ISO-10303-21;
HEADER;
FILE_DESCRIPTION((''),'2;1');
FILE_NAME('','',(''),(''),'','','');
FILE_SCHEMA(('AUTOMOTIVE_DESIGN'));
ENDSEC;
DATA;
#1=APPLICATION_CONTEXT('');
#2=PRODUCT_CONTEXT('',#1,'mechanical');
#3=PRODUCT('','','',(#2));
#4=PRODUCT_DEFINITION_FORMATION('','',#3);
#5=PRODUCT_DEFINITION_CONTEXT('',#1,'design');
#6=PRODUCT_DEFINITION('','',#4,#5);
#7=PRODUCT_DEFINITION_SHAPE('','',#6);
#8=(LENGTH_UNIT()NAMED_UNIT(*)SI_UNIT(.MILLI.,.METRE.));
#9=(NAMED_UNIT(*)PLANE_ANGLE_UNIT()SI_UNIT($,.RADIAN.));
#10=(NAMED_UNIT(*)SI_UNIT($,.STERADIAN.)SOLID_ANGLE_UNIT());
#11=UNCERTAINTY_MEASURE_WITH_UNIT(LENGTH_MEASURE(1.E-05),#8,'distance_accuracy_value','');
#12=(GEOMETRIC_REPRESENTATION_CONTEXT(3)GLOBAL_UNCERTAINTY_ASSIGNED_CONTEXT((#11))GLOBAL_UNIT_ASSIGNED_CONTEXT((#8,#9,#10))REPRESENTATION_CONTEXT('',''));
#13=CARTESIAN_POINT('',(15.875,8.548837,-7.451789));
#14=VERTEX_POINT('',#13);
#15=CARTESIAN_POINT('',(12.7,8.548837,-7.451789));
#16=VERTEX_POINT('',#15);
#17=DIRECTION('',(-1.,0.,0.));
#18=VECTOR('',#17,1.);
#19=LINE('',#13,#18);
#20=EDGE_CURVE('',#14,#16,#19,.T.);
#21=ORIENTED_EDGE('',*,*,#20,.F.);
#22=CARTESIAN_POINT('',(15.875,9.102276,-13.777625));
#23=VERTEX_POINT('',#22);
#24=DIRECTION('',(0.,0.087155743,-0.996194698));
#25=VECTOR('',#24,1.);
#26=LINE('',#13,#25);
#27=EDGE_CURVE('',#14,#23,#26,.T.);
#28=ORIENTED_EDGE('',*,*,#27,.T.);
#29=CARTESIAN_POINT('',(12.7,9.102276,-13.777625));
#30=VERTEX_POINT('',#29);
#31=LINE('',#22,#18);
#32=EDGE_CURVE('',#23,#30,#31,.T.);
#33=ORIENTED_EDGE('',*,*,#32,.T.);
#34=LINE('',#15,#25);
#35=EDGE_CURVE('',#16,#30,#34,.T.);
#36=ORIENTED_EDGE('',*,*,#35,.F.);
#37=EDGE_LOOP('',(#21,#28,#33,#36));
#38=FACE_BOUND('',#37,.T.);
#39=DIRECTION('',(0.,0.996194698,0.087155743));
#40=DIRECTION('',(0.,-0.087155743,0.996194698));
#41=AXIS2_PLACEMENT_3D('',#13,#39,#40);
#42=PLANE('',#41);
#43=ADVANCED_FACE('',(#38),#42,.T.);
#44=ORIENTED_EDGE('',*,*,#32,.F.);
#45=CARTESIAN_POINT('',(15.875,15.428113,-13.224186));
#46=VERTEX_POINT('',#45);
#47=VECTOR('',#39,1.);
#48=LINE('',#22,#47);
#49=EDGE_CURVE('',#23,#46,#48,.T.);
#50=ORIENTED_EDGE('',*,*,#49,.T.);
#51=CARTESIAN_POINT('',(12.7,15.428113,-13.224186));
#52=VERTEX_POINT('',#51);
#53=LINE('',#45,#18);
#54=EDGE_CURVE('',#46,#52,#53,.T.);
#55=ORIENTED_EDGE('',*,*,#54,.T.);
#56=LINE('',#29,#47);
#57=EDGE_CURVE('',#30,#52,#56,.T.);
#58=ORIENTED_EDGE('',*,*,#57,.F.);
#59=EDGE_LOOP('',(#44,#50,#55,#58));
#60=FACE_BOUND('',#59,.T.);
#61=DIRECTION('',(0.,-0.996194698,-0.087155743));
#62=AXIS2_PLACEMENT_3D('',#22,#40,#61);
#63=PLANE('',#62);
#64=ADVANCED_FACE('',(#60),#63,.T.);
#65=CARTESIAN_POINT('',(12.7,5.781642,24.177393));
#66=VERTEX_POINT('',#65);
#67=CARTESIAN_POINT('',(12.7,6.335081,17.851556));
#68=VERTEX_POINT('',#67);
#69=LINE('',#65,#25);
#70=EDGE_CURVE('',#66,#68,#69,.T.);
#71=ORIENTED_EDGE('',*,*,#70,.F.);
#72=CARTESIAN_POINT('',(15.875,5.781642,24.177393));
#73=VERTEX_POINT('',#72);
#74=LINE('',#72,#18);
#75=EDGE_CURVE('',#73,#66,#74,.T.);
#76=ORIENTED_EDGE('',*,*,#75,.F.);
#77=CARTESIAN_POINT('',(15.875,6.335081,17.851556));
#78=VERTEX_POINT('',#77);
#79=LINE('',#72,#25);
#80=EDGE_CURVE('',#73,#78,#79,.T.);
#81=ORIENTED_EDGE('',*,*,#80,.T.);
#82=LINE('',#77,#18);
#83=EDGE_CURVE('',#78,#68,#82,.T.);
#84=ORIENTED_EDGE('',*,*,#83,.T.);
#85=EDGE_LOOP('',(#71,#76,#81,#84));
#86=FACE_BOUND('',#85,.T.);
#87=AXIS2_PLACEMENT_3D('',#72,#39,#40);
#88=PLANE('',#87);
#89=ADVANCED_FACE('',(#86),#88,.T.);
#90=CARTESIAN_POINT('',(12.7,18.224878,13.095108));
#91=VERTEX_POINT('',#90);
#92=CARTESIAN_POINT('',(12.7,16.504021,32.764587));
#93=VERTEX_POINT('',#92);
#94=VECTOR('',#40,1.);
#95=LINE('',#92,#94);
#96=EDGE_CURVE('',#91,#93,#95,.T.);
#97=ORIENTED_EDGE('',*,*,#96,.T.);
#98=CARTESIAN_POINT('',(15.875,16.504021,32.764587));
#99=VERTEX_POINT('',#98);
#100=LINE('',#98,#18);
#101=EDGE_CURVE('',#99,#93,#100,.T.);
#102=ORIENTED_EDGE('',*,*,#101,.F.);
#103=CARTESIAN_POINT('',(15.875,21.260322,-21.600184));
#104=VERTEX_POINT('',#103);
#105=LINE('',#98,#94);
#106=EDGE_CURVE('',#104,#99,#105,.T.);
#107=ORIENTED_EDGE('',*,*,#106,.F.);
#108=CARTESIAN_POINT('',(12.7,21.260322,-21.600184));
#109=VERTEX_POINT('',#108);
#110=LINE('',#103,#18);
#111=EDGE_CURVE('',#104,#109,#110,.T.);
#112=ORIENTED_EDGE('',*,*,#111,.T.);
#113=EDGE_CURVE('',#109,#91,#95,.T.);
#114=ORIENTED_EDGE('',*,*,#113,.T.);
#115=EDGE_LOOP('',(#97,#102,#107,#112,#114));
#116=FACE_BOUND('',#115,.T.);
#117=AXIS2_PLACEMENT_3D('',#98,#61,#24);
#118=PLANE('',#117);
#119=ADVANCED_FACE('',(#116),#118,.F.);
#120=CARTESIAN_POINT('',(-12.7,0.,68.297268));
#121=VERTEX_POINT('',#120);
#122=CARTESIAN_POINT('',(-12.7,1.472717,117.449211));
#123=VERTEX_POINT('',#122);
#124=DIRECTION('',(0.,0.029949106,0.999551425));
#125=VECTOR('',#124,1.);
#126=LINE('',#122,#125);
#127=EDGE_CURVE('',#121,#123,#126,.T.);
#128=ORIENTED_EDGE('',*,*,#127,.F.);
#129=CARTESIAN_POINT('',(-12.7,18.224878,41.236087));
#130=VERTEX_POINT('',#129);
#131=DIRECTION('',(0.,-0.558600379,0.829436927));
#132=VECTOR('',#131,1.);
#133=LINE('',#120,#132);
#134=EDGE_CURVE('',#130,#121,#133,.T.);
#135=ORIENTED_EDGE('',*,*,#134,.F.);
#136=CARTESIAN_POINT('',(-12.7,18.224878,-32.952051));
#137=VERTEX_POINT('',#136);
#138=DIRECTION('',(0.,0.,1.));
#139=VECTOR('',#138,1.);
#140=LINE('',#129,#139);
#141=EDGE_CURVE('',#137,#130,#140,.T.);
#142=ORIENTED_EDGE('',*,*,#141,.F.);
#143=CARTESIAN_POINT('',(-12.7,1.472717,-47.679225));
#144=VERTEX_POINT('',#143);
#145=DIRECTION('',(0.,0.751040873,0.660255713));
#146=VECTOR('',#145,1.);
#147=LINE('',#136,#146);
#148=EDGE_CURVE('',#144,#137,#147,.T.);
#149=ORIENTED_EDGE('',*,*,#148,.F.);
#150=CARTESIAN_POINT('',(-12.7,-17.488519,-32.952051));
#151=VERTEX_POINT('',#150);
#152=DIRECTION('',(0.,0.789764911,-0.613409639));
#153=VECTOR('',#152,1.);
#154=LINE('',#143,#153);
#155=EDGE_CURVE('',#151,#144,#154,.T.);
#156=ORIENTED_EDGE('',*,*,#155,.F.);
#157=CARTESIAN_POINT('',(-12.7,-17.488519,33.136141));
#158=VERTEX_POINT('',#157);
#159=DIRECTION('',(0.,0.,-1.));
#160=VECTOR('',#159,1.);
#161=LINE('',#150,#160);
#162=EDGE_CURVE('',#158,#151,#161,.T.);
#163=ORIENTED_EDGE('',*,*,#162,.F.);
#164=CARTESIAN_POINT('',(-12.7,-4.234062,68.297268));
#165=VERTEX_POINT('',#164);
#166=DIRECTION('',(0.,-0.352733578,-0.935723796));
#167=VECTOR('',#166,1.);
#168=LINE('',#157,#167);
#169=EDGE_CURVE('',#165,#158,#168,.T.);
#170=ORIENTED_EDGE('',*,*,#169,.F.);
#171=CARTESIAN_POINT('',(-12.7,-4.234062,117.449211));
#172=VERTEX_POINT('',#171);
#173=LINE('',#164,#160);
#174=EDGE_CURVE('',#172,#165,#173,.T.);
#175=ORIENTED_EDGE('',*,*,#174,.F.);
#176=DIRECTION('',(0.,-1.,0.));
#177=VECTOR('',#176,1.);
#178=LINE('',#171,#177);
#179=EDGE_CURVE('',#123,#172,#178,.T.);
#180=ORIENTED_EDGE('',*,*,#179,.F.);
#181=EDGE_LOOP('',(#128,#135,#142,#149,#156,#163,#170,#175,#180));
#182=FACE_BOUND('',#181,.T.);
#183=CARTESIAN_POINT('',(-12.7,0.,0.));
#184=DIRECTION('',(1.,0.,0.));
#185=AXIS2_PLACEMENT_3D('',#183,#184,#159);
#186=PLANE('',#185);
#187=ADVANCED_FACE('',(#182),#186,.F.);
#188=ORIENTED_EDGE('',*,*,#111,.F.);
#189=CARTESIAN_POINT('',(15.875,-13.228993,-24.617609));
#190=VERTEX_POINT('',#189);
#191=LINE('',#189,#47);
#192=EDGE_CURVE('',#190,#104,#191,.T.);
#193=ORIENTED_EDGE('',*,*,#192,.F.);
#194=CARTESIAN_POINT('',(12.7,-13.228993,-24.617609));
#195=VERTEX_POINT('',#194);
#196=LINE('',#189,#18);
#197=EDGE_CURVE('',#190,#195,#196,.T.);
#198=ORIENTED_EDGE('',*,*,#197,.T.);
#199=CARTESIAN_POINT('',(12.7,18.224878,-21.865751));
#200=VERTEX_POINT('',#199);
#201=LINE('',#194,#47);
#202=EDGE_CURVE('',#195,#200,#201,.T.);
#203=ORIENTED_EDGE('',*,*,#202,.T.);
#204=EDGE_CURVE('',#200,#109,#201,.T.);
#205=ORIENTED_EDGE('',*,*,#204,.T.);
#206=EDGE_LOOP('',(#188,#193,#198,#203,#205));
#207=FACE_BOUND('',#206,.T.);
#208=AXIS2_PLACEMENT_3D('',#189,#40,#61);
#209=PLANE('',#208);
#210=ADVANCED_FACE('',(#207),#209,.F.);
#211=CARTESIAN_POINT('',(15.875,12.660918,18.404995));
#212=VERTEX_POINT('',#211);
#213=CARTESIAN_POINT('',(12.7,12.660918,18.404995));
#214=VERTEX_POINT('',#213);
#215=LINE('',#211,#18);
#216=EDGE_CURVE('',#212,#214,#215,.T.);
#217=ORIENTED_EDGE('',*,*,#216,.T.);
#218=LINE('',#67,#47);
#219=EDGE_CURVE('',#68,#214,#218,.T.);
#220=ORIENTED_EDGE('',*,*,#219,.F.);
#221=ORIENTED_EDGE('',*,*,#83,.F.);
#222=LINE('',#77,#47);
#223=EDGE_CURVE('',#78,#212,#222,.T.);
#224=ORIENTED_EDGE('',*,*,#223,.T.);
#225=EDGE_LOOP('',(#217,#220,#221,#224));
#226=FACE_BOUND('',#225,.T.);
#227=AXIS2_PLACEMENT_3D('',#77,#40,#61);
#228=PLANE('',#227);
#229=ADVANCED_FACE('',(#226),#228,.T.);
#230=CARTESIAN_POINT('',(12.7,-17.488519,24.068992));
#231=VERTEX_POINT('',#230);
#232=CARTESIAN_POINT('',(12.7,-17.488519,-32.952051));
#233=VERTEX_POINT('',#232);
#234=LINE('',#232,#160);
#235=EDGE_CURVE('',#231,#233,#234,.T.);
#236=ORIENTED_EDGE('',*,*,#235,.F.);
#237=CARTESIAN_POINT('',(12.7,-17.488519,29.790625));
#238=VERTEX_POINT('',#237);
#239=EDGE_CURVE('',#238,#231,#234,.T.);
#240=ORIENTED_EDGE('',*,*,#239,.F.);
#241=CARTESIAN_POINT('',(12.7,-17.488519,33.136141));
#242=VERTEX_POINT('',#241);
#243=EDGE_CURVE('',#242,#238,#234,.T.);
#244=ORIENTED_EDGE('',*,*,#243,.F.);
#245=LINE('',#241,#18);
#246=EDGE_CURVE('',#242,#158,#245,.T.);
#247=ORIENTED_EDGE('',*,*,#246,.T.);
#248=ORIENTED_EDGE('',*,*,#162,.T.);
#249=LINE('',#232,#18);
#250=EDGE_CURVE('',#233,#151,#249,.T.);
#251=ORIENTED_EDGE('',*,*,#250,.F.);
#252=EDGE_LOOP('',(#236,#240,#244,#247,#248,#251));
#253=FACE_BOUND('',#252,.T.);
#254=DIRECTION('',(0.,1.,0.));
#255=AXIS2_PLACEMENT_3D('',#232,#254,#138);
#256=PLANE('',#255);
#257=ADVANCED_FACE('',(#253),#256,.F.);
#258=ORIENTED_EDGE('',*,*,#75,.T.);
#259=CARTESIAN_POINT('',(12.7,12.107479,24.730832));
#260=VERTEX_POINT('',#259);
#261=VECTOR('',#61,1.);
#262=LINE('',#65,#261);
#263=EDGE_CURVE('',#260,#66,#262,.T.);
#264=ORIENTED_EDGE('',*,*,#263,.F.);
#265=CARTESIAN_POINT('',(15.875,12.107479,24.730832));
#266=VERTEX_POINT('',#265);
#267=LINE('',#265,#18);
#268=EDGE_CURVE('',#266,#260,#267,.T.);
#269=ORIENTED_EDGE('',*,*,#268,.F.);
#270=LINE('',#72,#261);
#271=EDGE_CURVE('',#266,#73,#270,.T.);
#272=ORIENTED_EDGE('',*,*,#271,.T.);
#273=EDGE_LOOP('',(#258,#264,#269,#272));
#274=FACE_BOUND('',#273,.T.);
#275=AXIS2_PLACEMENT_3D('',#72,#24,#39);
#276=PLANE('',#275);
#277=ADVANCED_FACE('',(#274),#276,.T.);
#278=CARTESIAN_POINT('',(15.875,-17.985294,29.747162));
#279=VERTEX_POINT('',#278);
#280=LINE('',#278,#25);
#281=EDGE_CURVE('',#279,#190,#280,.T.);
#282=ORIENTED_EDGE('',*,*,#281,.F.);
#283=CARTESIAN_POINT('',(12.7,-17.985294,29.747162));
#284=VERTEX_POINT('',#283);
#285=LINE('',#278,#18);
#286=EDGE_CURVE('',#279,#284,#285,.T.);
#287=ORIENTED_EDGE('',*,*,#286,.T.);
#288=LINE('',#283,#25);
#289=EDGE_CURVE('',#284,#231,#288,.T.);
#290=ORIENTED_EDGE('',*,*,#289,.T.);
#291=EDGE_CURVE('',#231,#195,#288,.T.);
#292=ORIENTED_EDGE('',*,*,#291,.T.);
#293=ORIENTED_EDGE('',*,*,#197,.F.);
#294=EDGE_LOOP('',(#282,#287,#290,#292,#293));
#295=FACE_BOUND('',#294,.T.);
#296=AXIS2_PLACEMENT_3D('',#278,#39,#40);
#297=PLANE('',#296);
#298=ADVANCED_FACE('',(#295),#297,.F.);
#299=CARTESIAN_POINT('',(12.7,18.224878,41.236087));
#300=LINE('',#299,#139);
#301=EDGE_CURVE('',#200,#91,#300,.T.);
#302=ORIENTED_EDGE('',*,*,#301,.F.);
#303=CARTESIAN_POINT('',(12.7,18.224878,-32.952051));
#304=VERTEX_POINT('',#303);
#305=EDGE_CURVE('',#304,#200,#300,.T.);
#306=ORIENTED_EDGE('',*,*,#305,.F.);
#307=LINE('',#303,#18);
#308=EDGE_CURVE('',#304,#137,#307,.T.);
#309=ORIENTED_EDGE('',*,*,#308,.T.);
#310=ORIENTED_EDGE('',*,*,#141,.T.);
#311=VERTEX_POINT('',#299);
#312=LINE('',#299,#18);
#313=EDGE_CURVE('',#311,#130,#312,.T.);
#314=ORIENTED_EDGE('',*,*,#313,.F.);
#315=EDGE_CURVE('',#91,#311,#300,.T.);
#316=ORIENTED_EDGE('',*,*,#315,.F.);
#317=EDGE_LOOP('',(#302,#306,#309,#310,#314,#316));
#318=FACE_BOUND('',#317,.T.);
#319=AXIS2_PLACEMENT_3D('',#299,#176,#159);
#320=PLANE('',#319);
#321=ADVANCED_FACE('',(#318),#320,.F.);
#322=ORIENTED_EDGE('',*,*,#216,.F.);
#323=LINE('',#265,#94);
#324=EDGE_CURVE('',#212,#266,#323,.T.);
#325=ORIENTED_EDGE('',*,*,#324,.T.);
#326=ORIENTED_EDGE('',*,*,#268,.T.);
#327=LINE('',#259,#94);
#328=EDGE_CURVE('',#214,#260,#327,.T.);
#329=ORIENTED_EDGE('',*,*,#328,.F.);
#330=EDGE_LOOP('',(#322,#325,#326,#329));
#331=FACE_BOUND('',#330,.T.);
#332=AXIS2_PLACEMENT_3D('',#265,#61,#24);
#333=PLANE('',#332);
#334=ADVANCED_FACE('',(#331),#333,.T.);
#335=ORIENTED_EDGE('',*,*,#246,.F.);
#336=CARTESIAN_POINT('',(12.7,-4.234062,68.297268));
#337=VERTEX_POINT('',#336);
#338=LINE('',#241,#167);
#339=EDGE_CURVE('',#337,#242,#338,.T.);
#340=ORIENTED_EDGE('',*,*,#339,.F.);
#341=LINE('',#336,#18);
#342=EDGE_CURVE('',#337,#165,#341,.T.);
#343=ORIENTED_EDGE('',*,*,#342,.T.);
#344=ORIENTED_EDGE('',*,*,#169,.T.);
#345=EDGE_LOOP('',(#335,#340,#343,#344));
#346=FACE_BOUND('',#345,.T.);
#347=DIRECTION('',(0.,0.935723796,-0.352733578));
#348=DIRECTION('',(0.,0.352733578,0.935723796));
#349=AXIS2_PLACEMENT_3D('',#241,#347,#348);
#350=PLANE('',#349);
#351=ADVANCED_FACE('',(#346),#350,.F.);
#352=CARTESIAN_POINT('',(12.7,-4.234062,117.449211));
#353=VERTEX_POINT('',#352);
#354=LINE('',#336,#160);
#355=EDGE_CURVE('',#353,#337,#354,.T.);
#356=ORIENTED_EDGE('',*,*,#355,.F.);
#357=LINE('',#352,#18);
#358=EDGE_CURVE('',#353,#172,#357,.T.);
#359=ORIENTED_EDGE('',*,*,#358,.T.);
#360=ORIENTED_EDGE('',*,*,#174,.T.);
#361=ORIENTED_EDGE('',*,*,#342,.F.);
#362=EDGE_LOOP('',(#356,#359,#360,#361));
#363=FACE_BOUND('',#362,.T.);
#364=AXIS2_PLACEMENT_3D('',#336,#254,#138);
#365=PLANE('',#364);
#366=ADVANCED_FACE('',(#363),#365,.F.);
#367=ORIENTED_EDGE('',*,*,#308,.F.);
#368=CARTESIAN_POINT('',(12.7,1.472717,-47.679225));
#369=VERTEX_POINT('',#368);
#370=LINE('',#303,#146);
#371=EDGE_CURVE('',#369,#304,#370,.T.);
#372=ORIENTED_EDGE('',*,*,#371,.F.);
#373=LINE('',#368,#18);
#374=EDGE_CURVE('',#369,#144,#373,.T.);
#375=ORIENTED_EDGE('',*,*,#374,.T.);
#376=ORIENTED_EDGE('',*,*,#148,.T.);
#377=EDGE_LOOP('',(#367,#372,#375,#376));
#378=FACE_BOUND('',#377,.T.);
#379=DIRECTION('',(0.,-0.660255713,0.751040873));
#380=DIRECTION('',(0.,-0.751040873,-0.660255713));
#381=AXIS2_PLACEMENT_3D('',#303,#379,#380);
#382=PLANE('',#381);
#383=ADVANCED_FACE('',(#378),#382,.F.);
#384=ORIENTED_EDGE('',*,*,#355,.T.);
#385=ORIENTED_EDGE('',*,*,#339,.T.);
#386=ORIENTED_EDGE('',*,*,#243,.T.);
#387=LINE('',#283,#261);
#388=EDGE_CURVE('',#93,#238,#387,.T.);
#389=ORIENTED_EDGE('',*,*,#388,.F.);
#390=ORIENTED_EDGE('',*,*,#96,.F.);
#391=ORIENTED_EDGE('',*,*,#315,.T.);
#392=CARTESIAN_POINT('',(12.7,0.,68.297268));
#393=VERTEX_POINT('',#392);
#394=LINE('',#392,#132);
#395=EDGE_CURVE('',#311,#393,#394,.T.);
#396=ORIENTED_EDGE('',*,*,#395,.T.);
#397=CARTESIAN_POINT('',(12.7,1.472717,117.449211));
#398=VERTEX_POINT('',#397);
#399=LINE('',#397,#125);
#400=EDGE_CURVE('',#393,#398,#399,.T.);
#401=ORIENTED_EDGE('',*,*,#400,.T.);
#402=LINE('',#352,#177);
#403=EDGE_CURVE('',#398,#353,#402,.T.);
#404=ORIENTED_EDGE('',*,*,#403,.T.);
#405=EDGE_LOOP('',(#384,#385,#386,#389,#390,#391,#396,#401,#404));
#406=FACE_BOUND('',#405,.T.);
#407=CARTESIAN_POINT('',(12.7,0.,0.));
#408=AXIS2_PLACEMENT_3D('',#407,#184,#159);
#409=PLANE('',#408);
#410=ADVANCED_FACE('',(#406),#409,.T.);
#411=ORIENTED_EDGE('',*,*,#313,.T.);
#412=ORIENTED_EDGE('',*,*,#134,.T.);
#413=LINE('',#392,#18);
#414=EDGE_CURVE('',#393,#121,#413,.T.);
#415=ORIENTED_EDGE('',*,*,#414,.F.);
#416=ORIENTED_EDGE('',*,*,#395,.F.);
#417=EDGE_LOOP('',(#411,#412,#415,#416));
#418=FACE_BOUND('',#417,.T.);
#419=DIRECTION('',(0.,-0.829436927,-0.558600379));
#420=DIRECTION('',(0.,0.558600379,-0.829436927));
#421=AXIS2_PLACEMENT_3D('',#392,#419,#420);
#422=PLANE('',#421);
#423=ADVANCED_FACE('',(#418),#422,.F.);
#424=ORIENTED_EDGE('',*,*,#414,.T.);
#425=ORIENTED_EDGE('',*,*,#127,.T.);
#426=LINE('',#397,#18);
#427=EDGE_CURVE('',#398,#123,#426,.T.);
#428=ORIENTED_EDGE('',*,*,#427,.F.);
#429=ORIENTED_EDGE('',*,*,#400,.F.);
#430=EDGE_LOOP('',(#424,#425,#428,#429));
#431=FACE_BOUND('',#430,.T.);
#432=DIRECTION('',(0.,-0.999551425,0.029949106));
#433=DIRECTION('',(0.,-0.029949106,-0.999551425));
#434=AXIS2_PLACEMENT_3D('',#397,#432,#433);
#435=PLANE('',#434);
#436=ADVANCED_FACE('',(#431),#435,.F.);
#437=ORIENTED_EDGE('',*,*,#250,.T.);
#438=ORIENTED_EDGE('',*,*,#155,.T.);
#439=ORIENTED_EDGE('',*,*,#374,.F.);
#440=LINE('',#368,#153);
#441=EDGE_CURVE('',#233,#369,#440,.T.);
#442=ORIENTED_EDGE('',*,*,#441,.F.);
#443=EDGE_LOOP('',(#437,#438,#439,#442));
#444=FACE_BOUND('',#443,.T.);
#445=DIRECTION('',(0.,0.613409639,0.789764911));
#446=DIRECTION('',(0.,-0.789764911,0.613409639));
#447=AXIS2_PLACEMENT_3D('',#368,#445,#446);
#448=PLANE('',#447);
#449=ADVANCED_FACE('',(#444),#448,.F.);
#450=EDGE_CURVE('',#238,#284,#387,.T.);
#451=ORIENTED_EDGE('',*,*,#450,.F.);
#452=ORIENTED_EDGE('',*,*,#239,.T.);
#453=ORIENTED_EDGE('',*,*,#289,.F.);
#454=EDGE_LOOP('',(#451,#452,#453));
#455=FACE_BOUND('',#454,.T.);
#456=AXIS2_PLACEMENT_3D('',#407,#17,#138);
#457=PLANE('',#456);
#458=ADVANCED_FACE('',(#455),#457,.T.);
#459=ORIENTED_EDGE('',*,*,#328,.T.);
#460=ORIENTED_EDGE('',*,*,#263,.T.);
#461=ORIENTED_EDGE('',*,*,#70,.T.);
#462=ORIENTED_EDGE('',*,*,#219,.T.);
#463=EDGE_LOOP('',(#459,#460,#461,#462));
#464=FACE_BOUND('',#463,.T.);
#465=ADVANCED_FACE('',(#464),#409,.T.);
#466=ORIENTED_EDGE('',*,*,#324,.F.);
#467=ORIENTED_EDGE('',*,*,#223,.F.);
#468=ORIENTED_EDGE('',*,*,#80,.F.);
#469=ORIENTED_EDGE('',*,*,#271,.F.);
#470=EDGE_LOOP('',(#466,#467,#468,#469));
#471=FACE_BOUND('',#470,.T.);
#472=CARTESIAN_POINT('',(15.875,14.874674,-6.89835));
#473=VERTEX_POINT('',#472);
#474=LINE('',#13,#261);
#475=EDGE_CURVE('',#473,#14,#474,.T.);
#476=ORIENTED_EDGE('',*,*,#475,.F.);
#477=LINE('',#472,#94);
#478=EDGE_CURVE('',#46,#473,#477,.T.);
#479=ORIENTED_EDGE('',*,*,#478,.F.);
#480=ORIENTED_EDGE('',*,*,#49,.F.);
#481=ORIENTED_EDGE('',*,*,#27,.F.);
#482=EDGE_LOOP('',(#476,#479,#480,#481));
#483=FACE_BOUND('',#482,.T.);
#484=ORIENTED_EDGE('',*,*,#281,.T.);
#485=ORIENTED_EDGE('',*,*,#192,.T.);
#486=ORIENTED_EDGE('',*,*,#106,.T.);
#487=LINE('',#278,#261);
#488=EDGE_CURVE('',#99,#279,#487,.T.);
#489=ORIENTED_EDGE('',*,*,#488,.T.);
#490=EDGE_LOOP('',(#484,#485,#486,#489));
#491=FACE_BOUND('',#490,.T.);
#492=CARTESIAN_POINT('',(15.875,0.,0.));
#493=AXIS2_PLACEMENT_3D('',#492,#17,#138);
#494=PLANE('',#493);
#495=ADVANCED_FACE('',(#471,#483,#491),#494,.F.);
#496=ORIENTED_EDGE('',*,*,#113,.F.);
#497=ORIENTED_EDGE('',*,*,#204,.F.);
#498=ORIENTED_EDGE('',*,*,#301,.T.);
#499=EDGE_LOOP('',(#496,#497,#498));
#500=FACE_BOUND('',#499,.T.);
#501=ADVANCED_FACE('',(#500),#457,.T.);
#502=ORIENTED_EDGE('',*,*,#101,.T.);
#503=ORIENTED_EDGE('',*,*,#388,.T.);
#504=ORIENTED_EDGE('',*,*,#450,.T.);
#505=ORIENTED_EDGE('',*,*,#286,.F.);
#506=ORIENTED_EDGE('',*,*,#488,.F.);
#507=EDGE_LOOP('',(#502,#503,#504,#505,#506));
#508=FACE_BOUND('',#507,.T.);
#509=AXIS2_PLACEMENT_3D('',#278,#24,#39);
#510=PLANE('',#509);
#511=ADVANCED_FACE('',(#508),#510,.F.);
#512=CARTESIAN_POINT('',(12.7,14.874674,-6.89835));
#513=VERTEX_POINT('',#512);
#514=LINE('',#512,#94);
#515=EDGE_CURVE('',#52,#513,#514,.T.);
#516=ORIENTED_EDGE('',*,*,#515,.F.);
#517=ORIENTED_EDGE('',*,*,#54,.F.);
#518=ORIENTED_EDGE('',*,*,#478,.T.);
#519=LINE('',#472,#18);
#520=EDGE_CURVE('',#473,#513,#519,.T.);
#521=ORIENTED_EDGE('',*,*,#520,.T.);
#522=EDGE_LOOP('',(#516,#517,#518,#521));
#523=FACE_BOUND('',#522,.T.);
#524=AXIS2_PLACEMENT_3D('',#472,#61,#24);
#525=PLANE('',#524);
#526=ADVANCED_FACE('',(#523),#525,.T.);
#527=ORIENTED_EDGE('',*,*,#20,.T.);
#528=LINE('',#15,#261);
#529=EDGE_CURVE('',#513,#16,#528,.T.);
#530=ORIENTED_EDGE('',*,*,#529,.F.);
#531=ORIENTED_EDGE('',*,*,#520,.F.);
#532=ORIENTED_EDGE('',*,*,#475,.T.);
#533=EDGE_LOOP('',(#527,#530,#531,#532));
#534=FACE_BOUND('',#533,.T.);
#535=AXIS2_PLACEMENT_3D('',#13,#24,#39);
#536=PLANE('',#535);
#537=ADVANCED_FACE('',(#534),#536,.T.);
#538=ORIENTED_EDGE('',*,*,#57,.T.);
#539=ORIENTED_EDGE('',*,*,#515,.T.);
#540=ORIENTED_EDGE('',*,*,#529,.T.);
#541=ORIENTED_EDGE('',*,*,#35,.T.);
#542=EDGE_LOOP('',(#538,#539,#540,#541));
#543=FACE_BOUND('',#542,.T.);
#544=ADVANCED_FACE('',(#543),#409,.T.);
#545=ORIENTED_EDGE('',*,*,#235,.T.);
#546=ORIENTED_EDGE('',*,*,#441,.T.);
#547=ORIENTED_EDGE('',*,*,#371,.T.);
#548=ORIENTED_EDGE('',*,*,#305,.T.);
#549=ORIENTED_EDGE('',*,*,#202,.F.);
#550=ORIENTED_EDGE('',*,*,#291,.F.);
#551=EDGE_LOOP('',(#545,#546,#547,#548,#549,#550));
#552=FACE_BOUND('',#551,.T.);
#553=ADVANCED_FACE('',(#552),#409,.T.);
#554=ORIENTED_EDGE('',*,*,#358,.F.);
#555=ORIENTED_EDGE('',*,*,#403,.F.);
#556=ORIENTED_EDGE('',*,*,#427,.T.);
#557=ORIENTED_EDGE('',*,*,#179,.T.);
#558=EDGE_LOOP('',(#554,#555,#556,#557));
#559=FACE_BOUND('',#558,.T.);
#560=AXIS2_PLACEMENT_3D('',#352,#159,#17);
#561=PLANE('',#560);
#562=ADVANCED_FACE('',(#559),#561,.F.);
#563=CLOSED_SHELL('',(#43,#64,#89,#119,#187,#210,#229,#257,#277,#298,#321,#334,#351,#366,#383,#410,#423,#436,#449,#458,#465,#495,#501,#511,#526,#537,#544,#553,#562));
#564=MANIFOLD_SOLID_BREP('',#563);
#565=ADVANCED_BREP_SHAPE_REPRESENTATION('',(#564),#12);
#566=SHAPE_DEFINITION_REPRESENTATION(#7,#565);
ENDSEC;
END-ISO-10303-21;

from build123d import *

# Parameters (mm, degrees)
BOSS_EXTRUDE1_DEPTH = 12.7
BOSS_EXTRUDE2_DEPTH = 3.175


with BuildPart() as part:
    # Sketch1 → Boss-Extrude1 (new, symmetric)
    with BuildSketch(Plane(origin=(0, 0, 0), x_dir=(0, 0, -1), z_dir=(1, 0, 0))):
        Polygon((-68.297268412, 0), (-41.236086589, 18.224877555), (32.952051336, 18.224877555), (47.679225118, 1.472717378), (32.952051336, -17.488518866), (-33.136141009, -17.488518866), (-68.297268412, -4.234062462), (-117.449210909, -4.234062462), (-117.449210909, 1.472717378), align=None)
    extrude(amount=BOSS_EXTRUDE1_DEPTH, both=True)

    # Sketch2 → Boss-Extrude2 (add)
    with BuildSketch(Plane(origin=(12.7, 0, 0), x_dir=(0, 0, -1), z_dir=(1, 0, 0))):
        Polygon((-29.747162431, -17.985294415), (24.617608562, -13.228993258), (21.600184439, 21.260322286), (-32.764586554, 16.504021128), align=None)
        Polygon((-24.177392815, 5.781642489), (-17.851556482, 6.335081455), (-18.404995449, 12.660917788), (-24.730831781, 12.107478822), align=None, mode=Mode.SUBTRACT)
        Polygon((7.451788849, 8.548837321), (13.777625182, 9.102276288), (13.224186216, 15.428112621), (6.898349883, 14.874673654), align=None, mode=Mode.SUBTRACT)
    extrude(amount=BOSS_EXTRUDE2_DEPTH)


solid = part.part
